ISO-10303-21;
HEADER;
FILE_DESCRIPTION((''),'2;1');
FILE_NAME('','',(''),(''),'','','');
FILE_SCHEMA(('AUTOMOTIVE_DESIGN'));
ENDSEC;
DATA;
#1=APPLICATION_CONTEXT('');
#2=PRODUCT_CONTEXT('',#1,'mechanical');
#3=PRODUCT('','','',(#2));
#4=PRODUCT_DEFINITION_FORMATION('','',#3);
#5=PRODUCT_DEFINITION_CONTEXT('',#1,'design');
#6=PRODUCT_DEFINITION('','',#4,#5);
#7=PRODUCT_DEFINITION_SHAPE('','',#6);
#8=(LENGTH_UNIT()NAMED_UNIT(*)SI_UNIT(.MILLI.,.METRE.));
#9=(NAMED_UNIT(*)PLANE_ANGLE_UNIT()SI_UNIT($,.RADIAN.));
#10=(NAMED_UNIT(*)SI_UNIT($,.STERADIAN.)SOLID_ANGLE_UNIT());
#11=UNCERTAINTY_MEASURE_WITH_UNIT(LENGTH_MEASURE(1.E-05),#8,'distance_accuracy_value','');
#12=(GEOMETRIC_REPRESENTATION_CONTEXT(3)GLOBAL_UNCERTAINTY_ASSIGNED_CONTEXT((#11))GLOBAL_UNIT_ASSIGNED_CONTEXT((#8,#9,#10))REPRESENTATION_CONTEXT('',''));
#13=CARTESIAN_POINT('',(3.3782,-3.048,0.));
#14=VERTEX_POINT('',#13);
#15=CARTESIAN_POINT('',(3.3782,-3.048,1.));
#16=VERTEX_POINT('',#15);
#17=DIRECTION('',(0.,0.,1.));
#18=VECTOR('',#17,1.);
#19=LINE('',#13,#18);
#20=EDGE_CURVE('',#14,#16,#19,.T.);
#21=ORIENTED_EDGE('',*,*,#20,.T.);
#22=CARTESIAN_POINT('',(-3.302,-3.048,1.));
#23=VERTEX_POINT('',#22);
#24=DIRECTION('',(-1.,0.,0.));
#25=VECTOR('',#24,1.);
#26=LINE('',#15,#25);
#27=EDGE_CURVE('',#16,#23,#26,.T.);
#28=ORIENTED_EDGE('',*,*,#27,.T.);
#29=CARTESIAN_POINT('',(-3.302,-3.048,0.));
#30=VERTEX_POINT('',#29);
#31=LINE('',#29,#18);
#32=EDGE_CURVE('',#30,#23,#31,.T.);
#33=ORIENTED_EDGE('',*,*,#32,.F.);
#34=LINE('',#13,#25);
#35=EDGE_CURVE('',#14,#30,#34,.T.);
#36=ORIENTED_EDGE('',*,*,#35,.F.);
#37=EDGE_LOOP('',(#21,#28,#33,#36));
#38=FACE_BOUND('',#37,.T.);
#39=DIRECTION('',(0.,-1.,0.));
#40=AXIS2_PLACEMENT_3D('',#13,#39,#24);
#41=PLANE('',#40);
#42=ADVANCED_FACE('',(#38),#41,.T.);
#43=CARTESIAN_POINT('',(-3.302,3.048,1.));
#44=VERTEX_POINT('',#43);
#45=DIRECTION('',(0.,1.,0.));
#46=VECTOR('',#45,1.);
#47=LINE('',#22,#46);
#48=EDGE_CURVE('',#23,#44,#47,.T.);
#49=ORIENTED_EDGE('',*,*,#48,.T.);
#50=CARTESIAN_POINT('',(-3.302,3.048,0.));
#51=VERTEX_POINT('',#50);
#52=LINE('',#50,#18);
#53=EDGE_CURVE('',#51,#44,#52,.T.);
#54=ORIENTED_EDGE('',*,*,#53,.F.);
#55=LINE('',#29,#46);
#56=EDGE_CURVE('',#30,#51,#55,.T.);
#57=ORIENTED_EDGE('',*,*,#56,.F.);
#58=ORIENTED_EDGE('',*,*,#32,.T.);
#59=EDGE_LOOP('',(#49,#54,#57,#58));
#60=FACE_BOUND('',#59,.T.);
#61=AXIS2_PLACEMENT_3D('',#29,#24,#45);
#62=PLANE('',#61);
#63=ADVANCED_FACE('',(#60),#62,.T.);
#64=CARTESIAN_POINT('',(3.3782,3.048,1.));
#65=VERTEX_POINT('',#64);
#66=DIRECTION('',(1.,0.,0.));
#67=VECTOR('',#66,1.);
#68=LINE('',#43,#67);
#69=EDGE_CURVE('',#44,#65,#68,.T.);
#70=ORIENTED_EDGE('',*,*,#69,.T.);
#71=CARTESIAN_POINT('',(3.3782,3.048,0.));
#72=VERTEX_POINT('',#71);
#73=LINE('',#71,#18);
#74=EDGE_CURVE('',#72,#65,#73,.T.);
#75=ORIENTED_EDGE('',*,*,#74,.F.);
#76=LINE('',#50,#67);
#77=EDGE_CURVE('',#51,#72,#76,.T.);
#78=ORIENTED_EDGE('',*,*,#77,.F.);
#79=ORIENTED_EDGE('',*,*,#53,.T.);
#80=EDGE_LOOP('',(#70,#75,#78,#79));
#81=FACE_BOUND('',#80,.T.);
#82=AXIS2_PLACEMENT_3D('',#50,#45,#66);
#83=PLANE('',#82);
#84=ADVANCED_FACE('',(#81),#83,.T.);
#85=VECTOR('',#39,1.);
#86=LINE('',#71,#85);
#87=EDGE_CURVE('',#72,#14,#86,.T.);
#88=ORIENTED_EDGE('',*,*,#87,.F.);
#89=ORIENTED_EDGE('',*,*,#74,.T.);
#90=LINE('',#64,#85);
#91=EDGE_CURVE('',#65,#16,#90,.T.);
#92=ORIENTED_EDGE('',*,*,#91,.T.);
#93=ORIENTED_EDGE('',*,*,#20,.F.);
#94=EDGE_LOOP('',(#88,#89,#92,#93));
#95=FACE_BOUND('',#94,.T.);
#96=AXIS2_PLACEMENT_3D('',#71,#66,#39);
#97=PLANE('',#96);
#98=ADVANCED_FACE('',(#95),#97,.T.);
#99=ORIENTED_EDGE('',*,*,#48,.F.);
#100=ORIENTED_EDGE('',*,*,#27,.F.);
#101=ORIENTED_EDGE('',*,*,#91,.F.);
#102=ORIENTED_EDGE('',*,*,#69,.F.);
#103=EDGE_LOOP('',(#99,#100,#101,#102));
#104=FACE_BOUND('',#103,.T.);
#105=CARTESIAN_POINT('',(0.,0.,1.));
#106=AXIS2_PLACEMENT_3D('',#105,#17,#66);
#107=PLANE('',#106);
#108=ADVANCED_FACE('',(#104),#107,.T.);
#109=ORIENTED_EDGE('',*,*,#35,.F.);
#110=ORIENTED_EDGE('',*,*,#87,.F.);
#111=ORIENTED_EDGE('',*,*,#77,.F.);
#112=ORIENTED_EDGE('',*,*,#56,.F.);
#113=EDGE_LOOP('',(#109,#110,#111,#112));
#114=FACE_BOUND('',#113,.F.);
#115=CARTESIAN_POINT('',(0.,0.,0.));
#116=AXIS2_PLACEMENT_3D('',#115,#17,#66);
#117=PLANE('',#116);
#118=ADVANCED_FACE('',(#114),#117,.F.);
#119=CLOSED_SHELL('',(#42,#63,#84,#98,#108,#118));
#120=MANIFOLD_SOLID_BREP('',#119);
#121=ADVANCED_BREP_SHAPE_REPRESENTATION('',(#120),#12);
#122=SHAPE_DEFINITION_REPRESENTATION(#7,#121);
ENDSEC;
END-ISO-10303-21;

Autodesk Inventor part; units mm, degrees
ref_plane "YZ Plane" through (0, 0, 0) normal (1, 0, 0) x (0, 1, 0)
ref_plane "XZ Plane" through (0, 0, 0) normal (0, 1, 0) x (-1, 0, 0)
ref_plane "XY Plane" through (0, 0, 0) normal (0, 0, 1) x (1, 0, 0)
sketch "B3F-10XX, BUTTON3_B3F-10XX_7" plane through (0, 0, 0) normal (0, 0, 1) x (1, 0, 0)
  line L0 (-3.302, 3.048) -> (3.3782, 3.048)
  line L1 (3.3782, 3.048) -> (3.3782, -3.048)
  line L2 (3.3782, -3.048) -> (-3.302, -3.048)
  line L3 (-3.302, -3.048) -> (-3.302, 3.048)
extrude "Extrusion1" add sketch "B3F-10XX, BUTTON3_B3F-10XX_7" along normal blind 1
properties part number "BUTTON3_B3F-10XX"
